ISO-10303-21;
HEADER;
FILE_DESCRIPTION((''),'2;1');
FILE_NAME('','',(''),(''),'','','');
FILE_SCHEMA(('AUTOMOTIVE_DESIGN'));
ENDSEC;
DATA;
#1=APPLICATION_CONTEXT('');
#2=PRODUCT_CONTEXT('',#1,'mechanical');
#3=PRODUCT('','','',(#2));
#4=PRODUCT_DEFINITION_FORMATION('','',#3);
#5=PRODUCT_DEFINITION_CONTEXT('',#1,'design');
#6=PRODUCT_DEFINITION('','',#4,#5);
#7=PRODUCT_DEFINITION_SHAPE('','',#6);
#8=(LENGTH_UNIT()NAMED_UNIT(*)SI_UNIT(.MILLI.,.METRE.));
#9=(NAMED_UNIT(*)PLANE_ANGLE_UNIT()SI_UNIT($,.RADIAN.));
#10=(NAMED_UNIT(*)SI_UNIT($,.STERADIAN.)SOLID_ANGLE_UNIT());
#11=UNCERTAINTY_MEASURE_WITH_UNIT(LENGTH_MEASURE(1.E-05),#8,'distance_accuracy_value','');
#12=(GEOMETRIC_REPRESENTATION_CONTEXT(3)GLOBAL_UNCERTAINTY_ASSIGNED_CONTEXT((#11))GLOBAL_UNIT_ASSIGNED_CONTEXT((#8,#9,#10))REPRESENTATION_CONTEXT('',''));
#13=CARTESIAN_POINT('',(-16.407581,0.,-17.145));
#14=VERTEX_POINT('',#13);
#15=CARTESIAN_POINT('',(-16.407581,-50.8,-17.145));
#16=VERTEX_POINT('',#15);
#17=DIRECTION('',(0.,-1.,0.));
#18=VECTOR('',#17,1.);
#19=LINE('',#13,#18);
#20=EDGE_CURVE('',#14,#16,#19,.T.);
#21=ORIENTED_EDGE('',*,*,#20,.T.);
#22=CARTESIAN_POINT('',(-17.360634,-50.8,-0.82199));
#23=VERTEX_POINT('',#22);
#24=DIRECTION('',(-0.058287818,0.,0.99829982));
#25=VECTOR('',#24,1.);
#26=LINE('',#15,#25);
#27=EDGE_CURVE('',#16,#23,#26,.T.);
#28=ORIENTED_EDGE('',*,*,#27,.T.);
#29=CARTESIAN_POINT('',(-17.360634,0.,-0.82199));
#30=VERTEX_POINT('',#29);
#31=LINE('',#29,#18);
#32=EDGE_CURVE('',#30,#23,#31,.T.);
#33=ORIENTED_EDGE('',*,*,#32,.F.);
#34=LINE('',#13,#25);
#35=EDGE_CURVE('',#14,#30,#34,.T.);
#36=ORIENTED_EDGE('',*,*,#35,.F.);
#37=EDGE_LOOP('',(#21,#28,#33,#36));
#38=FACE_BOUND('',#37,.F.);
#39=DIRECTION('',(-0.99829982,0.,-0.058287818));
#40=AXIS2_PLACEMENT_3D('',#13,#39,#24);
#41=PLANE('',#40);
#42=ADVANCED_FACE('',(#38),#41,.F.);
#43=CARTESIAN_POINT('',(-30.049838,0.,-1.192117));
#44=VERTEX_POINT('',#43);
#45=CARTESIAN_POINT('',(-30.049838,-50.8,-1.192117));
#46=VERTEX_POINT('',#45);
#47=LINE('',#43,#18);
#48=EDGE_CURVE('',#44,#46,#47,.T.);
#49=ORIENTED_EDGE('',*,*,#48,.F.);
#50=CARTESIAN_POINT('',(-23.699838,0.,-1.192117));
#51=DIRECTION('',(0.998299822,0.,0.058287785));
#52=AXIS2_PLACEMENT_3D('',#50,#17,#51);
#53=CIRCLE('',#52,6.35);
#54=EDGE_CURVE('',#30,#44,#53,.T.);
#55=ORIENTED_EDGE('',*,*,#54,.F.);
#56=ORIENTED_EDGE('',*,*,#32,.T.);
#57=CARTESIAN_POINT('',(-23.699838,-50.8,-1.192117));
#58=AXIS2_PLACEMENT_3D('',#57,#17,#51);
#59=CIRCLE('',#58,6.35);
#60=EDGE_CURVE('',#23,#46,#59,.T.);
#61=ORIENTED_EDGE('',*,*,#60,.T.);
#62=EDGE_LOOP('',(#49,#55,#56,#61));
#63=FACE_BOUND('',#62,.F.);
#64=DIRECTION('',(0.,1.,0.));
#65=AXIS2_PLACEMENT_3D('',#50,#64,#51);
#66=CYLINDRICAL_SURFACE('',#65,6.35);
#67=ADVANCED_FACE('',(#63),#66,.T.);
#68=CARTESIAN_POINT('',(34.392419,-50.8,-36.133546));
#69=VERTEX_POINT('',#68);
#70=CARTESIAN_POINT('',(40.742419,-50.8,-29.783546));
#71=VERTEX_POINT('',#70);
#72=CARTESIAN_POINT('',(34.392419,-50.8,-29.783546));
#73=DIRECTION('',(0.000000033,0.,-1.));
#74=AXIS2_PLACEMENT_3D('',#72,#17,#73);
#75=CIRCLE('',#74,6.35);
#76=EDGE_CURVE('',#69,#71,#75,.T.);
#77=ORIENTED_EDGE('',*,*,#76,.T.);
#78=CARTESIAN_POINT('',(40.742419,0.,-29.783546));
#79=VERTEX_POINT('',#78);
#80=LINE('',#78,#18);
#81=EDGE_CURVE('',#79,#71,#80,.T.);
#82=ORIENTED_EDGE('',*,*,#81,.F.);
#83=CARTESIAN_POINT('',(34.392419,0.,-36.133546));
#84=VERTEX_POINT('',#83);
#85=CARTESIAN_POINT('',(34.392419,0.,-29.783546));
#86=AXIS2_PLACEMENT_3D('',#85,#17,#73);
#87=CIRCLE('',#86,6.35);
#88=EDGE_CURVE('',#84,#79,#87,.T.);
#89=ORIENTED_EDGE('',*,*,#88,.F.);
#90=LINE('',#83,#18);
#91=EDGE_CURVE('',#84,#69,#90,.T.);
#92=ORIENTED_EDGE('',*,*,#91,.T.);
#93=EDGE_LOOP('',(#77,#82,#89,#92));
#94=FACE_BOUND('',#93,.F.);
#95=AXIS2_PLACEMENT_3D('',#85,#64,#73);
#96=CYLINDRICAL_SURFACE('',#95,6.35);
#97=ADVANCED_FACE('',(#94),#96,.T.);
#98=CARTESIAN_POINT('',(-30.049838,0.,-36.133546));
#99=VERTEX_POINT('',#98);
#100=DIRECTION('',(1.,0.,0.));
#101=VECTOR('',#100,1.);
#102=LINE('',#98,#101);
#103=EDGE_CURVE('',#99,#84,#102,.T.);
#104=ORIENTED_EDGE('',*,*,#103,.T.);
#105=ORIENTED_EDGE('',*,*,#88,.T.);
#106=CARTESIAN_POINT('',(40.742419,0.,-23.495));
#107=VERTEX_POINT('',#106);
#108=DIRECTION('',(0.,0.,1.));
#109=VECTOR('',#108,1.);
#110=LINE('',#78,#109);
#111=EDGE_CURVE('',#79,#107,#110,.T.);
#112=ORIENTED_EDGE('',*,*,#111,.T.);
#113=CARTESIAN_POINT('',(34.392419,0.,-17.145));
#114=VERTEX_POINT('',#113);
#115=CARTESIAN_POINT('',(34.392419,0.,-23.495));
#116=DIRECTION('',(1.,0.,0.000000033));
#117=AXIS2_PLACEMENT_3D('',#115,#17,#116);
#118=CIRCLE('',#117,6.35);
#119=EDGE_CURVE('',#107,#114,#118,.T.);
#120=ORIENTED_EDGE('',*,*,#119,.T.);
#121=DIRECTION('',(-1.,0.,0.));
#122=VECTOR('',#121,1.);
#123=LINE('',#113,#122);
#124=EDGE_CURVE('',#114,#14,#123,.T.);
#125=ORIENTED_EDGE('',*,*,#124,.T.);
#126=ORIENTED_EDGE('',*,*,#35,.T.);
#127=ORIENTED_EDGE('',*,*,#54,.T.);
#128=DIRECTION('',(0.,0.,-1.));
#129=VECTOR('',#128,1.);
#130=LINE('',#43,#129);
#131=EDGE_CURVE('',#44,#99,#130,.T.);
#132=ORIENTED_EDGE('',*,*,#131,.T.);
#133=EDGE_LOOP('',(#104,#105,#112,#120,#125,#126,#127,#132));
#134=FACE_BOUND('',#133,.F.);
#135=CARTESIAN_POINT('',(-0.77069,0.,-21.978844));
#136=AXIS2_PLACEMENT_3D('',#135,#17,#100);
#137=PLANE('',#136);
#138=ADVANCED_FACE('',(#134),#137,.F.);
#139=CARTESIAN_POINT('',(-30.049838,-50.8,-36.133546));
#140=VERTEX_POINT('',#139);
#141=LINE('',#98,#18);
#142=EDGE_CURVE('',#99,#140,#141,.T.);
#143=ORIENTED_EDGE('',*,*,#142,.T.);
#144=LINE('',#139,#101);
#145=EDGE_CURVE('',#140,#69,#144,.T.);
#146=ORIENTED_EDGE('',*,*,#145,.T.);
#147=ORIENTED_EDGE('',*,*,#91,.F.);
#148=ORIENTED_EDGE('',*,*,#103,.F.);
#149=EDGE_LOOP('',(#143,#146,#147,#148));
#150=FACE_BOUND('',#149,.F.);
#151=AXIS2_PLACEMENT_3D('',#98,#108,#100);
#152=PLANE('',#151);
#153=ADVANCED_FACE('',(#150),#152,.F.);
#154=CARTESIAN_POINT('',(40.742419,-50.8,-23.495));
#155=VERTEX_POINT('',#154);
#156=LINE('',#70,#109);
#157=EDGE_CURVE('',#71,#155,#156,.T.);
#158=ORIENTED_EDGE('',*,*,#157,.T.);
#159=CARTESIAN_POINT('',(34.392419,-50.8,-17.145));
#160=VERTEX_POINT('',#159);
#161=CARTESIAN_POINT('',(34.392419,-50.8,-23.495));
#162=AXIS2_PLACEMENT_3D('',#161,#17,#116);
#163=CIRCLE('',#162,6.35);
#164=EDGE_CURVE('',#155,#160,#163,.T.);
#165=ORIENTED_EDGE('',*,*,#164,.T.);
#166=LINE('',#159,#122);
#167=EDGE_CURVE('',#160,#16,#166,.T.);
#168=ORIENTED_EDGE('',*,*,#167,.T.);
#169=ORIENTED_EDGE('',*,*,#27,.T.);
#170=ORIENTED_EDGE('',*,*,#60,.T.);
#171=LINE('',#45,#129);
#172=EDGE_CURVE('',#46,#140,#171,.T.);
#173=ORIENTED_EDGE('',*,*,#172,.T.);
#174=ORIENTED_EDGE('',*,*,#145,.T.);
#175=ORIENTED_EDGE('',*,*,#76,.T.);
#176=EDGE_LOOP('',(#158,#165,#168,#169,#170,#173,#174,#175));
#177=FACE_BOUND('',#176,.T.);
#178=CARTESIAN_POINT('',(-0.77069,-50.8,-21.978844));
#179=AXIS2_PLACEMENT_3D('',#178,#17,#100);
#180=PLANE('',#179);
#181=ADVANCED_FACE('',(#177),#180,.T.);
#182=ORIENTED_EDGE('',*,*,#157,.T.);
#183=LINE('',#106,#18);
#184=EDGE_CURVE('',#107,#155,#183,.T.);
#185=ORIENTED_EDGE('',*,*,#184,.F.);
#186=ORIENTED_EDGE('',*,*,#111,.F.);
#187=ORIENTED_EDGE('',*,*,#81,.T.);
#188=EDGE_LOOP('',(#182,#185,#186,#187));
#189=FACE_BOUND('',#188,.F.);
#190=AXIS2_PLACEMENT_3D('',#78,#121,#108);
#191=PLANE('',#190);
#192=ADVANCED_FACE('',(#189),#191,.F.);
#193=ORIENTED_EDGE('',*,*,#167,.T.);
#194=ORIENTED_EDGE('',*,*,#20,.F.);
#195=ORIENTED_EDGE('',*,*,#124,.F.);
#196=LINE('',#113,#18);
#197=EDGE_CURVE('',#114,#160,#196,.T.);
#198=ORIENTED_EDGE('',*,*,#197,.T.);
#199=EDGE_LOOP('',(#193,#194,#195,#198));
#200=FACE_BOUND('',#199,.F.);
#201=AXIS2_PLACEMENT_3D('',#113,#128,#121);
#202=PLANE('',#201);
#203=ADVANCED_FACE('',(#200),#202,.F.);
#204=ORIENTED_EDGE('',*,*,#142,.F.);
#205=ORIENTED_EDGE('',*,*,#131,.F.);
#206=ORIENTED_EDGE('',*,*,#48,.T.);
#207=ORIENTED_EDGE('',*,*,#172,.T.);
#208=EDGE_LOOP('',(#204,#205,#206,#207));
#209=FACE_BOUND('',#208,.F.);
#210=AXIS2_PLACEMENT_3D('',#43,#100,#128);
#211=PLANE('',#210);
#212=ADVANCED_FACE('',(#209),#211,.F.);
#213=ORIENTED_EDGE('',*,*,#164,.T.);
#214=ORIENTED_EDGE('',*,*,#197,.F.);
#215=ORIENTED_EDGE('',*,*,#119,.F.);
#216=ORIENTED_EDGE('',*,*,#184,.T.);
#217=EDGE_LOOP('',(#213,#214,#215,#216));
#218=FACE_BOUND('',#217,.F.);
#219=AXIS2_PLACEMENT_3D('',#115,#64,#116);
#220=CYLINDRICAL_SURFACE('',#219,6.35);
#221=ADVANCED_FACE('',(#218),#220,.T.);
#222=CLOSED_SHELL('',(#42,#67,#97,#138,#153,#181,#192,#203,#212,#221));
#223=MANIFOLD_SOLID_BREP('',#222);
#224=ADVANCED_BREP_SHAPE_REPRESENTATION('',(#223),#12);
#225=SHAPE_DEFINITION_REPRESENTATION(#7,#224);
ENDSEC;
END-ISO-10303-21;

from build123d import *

# Parameters (mm, degrees)
F1_DEPTH = 50.8


with BuildPart() as f1:
    # F0 (on Front) → F1 (new body)
    with BuildSketch(Plane.XZ):
        with BuildLine():
            ThreePointArc((-17.360634, -0.82199), (-23.884981, 5.155183), (-30.049838, -1.192117))
            Line((-30.049838, -1.192117), (-30.049838, -36.133546))
            Line((-30.049838, -36.133546), (34.392419, -36.133546))
            ThreePointArc((34.392419, -36.133546), (38.882547, -34.273674), (40.742419, -29.783546))
            Line((40.742419, -29.783546), (40.742419, -23.495))
            ThreePointArc((40.742419, -23.495), (38.882547, -19.004872), (34.392419, -17.145))
            Line((34.392419, -17.145), (-16.407581, -17.145))
            Line((-16.407581, -17.145), (-17.360634, -0.82199))
        make_face()
    extrude(amount=F1_DEPTH)


solid = f1.part
